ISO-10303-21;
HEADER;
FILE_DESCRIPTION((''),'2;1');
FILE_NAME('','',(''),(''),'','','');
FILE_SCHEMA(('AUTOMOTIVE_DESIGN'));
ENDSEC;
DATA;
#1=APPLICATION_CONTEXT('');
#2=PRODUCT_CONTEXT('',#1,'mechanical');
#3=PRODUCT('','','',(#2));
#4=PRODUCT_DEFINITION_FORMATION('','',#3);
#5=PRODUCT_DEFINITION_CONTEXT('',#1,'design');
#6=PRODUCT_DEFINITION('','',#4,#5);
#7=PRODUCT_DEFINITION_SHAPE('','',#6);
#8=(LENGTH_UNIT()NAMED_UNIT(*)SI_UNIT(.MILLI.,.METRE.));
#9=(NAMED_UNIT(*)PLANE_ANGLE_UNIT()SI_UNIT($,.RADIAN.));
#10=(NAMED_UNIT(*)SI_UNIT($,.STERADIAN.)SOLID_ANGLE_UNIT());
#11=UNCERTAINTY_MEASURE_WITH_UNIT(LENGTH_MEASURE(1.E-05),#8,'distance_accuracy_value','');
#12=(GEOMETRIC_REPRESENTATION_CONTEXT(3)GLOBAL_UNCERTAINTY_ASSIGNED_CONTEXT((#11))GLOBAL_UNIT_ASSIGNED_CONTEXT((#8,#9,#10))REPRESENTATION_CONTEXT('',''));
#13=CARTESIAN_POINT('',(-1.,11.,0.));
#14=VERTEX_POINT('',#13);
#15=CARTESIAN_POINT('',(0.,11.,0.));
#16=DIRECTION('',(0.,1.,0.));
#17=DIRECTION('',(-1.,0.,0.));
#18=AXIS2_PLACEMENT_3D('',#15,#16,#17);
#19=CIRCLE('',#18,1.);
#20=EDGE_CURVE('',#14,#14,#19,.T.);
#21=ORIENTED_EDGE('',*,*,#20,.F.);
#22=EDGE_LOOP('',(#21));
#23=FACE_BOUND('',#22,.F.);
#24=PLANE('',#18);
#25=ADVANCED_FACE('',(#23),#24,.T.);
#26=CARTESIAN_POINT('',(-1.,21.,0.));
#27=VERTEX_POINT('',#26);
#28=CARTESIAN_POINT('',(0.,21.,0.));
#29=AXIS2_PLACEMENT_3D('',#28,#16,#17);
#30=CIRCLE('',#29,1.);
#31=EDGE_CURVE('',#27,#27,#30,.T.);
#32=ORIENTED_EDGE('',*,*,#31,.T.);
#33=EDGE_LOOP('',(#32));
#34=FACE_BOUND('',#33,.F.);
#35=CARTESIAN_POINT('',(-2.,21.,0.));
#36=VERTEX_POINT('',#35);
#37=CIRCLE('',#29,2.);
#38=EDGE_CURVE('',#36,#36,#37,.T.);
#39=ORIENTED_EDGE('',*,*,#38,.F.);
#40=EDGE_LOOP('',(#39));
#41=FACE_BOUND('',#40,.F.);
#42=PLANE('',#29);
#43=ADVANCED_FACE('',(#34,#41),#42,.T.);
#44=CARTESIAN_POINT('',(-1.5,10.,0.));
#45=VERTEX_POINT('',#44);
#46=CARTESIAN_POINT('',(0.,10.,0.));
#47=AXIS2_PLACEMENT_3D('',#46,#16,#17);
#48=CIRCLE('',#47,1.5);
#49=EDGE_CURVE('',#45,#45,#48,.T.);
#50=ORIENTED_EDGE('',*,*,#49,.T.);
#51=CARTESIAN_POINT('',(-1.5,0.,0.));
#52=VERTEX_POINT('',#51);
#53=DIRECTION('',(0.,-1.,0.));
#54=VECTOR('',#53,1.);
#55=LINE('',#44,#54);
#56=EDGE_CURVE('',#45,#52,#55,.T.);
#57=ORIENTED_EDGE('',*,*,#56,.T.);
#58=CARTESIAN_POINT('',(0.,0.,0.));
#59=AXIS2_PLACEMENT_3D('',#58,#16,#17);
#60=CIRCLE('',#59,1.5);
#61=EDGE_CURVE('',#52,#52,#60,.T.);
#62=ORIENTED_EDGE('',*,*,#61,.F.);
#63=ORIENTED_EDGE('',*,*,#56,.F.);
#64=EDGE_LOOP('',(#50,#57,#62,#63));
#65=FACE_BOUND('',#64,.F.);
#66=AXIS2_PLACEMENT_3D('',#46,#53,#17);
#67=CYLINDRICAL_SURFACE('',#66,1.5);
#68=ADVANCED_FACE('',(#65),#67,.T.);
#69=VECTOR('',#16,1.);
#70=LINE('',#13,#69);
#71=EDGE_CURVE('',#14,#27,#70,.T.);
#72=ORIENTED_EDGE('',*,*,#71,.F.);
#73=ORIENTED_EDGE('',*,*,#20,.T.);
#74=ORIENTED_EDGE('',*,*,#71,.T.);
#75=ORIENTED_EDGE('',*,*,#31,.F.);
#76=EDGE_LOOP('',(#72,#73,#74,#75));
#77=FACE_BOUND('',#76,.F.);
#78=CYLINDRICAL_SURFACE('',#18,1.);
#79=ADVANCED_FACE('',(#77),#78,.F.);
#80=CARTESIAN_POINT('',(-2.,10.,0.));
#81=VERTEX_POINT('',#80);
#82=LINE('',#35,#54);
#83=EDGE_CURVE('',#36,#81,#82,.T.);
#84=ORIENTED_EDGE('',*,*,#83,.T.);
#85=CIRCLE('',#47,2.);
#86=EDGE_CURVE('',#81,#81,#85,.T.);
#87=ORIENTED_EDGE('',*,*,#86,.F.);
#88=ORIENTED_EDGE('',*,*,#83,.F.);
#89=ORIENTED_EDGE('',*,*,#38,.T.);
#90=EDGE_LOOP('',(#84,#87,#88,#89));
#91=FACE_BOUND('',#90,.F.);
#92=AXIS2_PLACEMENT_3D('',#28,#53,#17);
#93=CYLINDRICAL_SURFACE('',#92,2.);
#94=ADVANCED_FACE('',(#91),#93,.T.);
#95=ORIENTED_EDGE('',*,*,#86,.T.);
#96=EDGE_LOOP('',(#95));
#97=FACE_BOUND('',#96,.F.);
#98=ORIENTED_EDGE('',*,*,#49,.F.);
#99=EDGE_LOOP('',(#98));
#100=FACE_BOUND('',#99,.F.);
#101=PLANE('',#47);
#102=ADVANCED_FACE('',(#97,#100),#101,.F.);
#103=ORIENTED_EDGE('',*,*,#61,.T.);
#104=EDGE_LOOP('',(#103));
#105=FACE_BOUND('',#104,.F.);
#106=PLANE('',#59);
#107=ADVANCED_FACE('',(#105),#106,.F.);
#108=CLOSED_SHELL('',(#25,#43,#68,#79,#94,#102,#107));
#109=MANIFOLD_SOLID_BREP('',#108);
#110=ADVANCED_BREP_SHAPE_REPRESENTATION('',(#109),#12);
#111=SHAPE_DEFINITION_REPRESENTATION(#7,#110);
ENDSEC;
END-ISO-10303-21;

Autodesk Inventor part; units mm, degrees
ref_plane "YZ Plane" through (0, 0, 0) normal (1, 0, 0) x (0, 1, 0)
ref_plane "XZ Plane" through (0, 0, 0) normal (0, 1, 0) x (-1, 0, 0)
ref_plane "XY Plane" through (0, 0, 0) normal (0, 0, 1) x (1, 0, 0)
sketch "Sketch1" plane through (0, 0, 0) normal (0, 0, 1) x (1, 0, 0)
  line L0 (0, 11) -> (-1, 11)
  line L1 (-1, 11) -> (-1, 21)
  line L2 (-1, 21) -> (-2, 21)
  line L3 (-2, 21) -> (-2, 10)
  line L4 (-2, 10) -> (-1.5, 10)
  line L5 (-1.5, 10) -> (-1.5, 0)
  line L6 (-1.5, 0) -> (0, 0)
  line L7 (0, 0) -> (0, 11)
  dimension "d0" = 1
  dimension "d1" = 1.5
  dimension "d3" = 10
  dimension "d5" = 11
  dimension "d9" = 10
  dimension "d12" = 1
revolve "Revolution1" add sketch "Sketch1" angle 360 about axis through (0, 0, 0) along (0, 1, 0)
thread "Thread4" size "M2x0.4" class "6H" standard "ANSI Metric M Profile" full length
properties part number "Fitting-2" material "Brass"
